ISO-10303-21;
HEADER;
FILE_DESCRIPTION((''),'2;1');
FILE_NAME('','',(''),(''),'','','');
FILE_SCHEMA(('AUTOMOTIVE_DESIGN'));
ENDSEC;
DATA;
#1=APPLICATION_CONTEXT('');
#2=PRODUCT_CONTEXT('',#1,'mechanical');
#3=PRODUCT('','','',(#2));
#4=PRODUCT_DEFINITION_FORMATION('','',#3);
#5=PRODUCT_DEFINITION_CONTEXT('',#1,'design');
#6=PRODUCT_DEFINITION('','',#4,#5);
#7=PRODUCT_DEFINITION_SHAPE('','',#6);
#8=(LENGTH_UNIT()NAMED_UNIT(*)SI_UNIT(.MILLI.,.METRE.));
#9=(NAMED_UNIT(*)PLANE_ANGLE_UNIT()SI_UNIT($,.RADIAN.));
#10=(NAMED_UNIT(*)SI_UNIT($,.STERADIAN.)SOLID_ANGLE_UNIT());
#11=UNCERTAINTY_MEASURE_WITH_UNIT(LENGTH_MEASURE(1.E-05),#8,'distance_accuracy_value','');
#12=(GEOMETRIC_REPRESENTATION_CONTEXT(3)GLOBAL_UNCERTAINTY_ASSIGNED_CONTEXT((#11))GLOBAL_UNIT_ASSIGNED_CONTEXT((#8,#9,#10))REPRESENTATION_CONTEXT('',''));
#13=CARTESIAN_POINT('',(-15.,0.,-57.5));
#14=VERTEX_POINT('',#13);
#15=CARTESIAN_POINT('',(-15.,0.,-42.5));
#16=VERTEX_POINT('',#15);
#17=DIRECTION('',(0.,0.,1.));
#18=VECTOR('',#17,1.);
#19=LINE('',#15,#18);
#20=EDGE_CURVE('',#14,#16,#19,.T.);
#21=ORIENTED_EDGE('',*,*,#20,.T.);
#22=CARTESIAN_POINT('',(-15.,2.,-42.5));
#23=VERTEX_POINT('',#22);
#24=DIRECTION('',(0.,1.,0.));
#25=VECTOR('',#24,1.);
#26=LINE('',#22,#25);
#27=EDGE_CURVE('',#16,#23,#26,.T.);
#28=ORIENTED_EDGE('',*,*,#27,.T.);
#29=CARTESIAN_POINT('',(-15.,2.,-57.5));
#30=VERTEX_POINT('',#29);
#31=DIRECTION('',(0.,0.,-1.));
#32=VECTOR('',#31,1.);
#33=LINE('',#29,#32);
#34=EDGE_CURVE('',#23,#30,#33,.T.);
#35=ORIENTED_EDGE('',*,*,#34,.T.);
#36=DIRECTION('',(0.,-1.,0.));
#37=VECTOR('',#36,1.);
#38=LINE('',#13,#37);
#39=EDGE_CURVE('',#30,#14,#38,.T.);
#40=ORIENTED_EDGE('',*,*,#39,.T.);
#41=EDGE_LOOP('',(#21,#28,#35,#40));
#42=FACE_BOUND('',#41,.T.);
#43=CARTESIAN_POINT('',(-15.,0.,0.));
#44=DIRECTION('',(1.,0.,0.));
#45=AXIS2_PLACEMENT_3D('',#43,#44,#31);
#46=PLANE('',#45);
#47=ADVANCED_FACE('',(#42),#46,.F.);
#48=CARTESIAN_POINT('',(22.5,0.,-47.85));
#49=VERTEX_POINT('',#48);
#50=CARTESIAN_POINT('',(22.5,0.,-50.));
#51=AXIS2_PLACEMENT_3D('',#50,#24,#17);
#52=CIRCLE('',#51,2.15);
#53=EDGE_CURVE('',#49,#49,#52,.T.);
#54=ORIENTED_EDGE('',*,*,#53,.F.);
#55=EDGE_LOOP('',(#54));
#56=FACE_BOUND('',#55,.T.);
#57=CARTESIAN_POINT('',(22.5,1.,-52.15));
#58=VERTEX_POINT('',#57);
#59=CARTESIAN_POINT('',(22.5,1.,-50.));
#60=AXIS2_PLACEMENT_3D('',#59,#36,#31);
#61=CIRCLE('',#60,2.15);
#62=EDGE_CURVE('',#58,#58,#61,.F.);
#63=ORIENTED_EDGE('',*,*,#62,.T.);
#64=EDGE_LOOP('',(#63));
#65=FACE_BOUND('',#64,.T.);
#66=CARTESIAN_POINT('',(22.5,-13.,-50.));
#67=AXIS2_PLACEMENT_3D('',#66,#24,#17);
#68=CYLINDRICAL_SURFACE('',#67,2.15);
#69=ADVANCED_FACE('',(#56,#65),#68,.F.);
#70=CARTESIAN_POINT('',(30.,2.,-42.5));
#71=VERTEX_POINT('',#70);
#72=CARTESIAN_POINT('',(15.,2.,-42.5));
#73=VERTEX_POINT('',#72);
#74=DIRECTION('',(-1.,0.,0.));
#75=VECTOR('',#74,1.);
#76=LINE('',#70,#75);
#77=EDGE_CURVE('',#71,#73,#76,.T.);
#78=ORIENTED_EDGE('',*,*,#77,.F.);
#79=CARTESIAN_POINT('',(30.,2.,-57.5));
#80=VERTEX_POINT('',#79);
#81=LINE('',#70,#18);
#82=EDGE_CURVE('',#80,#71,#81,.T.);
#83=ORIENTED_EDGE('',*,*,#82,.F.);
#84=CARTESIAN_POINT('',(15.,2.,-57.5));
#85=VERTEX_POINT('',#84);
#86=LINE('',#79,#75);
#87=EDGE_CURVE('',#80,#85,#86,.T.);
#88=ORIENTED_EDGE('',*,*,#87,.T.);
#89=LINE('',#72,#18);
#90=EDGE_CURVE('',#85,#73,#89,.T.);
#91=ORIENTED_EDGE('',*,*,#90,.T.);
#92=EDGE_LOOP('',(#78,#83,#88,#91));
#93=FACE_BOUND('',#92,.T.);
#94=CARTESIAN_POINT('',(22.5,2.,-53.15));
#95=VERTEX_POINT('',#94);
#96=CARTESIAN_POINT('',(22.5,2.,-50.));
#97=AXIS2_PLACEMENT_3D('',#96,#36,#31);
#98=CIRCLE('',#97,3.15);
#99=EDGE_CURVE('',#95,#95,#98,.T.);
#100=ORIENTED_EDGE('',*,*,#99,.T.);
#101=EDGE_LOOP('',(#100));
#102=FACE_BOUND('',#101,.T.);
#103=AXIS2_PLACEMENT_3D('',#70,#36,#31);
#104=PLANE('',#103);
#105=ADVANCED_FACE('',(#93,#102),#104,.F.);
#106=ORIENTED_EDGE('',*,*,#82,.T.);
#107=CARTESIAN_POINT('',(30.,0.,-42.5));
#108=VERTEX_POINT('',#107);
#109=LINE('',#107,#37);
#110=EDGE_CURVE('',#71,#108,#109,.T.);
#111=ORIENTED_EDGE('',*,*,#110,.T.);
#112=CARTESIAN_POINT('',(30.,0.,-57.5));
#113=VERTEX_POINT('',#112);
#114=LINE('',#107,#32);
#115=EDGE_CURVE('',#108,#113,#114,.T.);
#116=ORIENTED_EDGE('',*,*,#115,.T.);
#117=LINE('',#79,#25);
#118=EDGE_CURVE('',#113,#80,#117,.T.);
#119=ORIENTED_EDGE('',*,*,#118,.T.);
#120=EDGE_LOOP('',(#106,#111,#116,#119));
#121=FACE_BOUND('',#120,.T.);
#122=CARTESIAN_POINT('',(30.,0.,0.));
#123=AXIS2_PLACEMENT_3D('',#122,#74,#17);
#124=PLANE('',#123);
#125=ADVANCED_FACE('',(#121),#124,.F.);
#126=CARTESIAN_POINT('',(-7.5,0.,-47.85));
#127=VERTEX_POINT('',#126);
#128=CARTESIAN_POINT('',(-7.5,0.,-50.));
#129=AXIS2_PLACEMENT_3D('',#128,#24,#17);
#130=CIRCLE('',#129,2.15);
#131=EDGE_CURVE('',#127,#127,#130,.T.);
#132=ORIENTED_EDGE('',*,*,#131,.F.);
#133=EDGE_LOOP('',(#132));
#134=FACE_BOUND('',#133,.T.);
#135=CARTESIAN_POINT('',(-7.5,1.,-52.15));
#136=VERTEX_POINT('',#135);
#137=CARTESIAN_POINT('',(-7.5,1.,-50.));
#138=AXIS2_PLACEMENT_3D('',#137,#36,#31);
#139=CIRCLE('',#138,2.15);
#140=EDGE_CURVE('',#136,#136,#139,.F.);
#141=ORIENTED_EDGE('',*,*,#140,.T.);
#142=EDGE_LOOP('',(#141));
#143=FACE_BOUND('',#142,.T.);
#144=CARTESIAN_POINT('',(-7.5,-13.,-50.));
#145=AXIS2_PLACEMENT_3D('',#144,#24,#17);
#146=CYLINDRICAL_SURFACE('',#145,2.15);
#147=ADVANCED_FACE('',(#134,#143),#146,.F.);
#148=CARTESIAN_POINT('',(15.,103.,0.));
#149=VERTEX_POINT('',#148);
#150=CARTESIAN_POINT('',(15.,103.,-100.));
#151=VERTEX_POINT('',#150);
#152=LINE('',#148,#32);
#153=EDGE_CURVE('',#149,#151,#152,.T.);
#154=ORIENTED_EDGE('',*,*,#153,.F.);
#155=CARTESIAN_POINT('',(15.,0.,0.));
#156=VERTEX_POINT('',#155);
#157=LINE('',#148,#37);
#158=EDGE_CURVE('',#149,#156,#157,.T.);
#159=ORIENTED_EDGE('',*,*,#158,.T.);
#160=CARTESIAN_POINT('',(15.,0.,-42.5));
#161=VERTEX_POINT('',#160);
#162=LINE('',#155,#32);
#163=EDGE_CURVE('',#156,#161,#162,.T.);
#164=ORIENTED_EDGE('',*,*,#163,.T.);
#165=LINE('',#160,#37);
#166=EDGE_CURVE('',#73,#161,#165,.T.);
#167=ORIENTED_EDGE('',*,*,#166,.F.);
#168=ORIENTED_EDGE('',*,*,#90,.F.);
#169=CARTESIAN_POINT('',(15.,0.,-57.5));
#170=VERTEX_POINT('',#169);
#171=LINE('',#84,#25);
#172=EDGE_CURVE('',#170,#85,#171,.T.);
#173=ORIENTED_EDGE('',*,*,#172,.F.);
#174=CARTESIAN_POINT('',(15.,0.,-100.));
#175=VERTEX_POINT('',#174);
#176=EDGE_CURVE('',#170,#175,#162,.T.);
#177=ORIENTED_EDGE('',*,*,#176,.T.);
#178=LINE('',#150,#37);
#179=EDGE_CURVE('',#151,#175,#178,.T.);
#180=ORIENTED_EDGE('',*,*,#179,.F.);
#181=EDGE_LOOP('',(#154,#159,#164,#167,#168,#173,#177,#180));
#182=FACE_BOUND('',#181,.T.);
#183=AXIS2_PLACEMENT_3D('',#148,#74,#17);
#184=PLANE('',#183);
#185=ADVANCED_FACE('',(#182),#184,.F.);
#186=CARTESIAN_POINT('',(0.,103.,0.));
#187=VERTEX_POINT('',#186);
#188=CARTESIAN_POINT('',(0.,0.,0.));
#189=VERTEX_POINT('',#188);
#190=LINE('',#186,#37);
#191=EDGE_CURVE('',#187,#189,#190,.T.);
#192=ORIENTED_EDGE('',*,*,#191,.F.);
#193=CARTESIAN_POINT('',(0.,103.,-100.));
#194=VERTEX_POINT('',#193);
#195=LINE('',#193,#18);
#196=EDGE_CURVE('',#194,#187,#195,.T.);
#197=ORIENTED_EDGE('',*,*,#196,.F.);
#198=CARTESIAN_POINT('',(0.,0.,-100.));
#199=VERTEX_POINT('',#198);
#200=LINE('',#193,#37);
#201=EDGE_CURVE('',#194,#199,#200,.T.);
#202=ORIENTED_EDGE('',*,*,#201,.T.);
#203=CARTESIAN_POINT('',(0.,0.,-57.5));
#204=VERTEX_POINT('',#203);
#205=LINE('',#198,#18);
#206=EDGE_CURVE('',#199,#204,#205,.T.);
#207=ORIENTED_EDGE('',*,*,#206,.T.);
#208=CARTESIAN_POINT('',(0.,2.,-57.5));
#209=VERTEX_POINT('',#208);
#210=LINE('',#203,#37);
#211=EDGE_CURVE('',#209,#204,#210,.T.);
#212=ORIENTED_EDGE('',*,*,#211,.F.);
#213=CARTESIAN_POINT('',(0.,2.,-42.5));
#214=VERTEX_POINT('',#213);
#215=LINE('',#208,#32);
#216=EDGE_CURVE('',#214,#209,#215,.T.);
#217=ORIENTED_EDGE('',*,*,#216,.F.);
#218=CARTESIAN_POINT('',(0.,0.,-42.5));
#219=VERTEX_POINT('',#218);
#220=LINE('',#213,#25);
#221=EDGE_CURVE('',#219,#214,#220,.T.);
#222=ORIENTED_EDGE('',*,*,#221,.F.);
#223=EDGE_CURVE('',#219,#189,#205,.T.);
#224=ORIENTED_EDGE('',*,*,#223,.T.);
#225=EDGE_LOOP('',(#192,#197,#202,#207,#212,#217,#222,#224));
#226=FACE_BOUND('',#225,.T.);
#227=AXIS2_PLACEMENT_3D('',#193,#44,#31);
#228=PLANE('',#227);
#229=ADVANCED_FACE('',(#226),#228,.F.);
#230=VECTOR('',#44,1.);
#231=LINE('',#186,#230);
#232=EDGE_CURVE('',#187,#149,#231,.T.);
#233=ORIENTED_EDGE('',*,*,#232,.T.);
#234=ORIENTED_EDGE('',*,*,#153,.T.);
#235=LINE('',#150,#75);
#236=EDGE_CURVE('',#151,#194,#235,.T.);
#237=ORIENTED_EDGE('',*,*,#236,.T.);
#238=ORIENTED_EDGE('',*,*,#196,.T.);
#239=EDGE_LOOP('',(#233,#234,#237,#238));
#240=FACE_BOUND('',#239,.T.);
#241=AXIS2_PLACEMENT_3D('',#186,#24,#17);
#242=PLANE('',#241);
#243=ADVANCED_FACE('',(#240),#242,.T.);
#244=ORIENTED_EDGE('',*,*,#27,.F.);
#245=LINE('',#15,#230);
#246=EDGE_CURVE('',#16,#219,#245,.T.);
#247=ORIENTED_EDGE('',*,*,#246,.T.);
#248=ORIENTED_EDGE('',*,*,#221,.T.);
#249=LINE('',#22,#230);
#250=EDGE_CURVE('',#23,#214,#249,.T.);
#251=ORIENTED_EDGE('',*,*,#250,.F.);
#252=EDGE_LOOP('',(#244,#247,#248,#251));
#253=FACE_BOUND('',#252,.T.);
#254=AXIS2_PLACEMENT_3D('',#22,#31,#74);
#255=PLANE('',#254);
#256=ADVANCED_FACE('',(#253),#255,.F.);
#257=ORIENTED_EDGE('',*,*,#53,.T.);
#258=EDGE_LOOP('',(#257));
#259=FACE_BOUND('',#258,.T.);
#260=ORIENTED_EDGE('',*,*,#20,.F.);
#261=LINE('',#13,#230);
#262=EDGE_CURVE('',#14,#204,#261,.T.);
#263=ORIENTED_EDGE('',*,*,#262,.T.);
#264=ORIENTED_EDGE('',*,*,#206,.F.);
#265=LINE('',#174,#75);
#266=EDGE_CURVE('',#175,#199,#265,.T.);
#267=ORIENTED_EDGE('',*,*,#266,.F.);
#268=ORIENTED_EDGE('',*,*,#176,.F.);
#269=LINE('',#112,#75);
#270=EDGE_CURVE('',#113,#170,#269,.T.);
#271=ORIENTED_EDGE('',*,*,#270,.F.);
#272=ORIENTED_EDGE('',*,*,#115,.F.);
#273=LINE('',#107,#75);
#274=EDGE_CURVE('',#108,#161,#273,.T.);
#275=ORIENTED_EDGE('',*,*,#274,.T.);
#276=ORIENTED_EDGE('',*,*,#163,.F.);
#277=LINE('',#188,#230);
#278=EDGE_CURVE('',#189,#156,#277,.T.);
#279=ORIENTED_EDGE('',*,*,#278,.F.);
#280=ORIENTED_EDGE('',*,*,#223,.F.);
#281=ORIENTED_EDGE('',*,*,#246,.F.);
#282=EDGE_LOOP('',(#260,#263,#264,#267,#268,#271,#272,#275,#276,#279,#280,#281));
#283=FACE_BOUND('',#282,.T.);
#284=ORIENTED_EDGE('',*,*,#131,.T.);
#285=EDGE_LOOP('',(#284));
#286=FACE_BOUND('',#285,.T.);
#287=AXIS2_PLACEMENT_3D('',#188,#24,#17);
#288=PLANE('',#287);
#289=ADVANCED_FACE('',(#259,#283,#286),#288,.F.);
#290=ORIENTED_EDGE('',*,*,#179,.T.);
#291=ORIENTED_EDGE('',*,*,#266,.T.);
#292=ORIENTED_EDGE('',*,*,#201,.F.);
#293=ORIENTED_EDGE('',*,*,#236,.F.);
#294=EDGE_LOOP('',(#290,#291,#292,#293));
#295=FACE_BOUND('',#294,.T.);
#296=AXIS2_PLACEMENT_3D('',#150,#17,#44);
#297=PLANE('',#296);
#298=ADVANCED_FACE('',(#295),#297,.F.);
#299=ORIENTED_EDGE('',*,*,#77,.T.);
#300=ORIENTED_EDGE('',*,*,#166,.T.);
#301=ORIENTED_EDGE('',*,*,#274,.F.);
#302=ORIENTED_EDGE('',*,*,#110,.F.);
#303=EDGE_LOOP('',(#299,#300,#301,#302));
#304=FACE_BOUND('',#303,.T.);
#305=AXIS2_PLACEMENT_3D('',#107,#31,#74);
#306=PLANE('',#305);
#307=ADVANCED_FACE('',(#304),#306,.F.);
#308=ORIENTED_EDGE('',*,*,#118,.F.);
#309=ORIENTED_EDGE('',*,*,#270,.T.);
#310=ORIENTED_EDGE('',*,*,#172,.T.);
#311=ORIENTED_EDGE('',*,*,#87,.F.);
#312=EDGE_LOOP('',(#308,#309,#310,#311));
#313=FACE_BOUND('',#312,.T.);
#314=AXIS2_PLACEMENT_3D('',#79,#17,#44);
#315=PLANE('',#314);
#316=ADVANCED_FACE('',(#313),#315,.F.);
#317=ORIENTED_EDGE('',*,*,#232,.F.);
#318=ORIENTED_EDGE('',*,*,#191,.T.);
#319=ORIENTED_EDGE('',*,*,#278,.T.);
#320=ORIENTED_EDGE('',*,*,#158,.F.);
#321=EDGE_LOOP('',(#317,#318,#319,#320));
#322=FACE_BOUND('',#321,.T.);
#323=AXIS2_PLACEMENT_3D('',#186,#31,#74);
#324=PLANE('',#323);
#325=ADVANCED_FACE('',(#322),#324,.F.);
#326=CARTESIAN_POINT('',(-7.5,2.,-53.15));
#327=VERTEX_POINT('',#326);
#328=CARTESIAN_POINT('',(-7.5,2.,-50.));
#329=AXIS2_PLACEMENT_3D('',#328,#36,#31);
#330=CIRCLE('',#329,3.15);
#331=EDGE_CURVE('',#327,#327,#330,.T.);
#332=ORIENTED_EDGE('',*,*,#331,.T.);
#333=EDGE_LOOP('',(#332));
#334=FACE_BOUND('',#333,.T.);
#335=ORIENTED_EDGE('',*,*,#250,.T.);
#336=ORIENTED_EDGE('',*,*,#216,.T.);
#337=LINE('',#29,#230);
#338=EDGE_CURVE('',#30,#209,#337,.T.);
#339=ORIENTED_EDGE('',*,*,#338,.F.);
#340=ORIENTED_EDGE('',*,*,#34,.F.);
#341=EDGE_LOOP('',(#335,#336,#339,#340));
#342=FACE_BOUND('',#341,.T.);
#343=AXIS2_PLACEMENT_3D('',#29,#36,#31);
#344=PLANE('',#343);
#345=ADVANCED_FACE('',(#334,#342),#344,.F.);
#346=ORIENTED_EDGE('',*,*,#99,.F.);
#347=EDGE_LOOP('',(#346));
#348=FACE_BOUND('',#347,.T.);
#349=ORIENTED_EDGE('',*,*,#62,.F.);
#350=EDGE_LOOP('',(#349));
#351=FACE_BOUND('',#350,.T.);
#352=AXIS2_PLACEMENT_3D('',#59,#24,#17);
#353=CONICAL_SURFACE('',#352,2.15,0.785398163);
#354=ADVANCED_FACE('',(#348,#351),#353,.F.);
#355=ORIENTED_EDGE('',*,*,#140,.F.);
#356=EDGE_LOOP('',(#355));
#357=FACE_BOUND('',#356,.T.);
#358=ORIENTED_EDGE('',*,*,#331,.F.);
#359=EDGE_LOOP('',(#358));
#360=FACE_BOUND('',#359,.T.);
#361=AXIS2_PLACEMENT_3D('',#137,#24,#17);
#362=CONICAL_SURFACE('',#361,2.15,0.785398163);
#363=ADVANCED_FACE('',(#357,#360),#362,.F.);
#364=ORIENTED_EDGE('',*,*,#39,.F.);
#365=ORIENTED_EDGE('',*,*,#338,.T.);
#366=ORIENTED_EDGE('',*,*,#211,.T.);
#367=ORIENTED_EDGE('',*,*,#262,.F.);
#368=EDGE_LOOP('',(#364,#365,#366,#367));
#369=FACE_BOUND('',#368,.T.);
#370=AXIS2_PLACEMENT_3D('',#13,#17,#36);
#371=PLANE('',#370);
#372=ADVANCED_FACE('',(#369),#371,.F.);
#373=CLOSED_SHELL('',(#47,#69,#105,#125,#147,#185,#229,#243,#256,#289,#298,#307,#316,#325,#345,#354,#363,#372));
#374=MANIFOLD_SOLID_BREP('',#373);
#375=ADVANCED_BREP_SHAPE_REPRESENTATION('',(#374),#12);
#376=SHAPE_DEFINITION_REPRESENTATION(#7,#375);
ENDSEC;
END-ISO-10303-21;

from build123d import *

# Parameters (mm, degrees)
SKETCH1_W           = 15
SKETCH1_H           = 100
BOSS_EXTRUDE1_DEPTH = 103
SKETCH2_W           = 15
SKETCH2_H           = 2
BOSS_EXTRUDE2_DEPTH = 15
SKETCH3_W           = 15
SKETCH3_H           = 2
BOSS_EXTRUDE3_DEPTH = 15
SKETCH4_R           = 2.15
CUT_EXTRUDE1_DEPTH  = 15
CHAMFER1_SIZE       = 1


with BuildPart() as part:
    # Sketch1 → Boss-Extrude1 (new body)
    with BuildSketch(Plane(origin=(0, 0, 0), x_dir=(1, 0, 0), z_dir=(0, 1, 0))):
        with Locations((7.5, 50)):
            Rectangle(SKETCH1_W, SKETCH1_H)
    extrude(amount=BOSS_EXTRUDE1_DEPTH)

    # Sketch2 → Boss-Extrude2 (add)
    with BuildSketch(Plane.ZY):
        with Locations((-50, 1)):
            Rectangle(SKETCH2_W, SKETCH2_H)
    extrude(amount=BOSS_EXTRUDE2_DEPTH)

    # Sketch3 → Boss-Extrude3 (add)
    with BuildSketch(Plane(origin=(15, 0, 0), x_dir=(0, 0, -1), z_dir=(1, 0, 0))):
        with Locations((50, 1)):
            Rectangle(SKETCH3_W, SKETCH3_H)
    extrude(amount=BOSS_EXTRUDE3_DEPTH)

    # Sketch4 → Cut-Extrude1 (cut)
    with BuildSketch(Plane(origin=(0, 2, 0), x_dir=(1, 0, 0), z_dir=(0, 1, 0))):
        with Locations(Location((-7.5, 50, 0), (0, 0, 270))):
            Circle(SKETCH4_R)
        with Locations(Location((22.5, 50, 0), (0, 0, 270))):
            Circle(SKETCH4_R)
    extrude(amount=-CUT_EXTRUDE1_DEPTH, mode=Mode.SUBTRACT)

    # Chamfer1
    chamfer1_edges = [part.edges().sort_by_distance(p)[0] for p in [
        (-7.5, 2, -52.15),
        (22.5, 2, -52.15),
    ]]
    chamfer(chamfer1_edges, length=CHAMFER1_SIZE)


solid = part.part
